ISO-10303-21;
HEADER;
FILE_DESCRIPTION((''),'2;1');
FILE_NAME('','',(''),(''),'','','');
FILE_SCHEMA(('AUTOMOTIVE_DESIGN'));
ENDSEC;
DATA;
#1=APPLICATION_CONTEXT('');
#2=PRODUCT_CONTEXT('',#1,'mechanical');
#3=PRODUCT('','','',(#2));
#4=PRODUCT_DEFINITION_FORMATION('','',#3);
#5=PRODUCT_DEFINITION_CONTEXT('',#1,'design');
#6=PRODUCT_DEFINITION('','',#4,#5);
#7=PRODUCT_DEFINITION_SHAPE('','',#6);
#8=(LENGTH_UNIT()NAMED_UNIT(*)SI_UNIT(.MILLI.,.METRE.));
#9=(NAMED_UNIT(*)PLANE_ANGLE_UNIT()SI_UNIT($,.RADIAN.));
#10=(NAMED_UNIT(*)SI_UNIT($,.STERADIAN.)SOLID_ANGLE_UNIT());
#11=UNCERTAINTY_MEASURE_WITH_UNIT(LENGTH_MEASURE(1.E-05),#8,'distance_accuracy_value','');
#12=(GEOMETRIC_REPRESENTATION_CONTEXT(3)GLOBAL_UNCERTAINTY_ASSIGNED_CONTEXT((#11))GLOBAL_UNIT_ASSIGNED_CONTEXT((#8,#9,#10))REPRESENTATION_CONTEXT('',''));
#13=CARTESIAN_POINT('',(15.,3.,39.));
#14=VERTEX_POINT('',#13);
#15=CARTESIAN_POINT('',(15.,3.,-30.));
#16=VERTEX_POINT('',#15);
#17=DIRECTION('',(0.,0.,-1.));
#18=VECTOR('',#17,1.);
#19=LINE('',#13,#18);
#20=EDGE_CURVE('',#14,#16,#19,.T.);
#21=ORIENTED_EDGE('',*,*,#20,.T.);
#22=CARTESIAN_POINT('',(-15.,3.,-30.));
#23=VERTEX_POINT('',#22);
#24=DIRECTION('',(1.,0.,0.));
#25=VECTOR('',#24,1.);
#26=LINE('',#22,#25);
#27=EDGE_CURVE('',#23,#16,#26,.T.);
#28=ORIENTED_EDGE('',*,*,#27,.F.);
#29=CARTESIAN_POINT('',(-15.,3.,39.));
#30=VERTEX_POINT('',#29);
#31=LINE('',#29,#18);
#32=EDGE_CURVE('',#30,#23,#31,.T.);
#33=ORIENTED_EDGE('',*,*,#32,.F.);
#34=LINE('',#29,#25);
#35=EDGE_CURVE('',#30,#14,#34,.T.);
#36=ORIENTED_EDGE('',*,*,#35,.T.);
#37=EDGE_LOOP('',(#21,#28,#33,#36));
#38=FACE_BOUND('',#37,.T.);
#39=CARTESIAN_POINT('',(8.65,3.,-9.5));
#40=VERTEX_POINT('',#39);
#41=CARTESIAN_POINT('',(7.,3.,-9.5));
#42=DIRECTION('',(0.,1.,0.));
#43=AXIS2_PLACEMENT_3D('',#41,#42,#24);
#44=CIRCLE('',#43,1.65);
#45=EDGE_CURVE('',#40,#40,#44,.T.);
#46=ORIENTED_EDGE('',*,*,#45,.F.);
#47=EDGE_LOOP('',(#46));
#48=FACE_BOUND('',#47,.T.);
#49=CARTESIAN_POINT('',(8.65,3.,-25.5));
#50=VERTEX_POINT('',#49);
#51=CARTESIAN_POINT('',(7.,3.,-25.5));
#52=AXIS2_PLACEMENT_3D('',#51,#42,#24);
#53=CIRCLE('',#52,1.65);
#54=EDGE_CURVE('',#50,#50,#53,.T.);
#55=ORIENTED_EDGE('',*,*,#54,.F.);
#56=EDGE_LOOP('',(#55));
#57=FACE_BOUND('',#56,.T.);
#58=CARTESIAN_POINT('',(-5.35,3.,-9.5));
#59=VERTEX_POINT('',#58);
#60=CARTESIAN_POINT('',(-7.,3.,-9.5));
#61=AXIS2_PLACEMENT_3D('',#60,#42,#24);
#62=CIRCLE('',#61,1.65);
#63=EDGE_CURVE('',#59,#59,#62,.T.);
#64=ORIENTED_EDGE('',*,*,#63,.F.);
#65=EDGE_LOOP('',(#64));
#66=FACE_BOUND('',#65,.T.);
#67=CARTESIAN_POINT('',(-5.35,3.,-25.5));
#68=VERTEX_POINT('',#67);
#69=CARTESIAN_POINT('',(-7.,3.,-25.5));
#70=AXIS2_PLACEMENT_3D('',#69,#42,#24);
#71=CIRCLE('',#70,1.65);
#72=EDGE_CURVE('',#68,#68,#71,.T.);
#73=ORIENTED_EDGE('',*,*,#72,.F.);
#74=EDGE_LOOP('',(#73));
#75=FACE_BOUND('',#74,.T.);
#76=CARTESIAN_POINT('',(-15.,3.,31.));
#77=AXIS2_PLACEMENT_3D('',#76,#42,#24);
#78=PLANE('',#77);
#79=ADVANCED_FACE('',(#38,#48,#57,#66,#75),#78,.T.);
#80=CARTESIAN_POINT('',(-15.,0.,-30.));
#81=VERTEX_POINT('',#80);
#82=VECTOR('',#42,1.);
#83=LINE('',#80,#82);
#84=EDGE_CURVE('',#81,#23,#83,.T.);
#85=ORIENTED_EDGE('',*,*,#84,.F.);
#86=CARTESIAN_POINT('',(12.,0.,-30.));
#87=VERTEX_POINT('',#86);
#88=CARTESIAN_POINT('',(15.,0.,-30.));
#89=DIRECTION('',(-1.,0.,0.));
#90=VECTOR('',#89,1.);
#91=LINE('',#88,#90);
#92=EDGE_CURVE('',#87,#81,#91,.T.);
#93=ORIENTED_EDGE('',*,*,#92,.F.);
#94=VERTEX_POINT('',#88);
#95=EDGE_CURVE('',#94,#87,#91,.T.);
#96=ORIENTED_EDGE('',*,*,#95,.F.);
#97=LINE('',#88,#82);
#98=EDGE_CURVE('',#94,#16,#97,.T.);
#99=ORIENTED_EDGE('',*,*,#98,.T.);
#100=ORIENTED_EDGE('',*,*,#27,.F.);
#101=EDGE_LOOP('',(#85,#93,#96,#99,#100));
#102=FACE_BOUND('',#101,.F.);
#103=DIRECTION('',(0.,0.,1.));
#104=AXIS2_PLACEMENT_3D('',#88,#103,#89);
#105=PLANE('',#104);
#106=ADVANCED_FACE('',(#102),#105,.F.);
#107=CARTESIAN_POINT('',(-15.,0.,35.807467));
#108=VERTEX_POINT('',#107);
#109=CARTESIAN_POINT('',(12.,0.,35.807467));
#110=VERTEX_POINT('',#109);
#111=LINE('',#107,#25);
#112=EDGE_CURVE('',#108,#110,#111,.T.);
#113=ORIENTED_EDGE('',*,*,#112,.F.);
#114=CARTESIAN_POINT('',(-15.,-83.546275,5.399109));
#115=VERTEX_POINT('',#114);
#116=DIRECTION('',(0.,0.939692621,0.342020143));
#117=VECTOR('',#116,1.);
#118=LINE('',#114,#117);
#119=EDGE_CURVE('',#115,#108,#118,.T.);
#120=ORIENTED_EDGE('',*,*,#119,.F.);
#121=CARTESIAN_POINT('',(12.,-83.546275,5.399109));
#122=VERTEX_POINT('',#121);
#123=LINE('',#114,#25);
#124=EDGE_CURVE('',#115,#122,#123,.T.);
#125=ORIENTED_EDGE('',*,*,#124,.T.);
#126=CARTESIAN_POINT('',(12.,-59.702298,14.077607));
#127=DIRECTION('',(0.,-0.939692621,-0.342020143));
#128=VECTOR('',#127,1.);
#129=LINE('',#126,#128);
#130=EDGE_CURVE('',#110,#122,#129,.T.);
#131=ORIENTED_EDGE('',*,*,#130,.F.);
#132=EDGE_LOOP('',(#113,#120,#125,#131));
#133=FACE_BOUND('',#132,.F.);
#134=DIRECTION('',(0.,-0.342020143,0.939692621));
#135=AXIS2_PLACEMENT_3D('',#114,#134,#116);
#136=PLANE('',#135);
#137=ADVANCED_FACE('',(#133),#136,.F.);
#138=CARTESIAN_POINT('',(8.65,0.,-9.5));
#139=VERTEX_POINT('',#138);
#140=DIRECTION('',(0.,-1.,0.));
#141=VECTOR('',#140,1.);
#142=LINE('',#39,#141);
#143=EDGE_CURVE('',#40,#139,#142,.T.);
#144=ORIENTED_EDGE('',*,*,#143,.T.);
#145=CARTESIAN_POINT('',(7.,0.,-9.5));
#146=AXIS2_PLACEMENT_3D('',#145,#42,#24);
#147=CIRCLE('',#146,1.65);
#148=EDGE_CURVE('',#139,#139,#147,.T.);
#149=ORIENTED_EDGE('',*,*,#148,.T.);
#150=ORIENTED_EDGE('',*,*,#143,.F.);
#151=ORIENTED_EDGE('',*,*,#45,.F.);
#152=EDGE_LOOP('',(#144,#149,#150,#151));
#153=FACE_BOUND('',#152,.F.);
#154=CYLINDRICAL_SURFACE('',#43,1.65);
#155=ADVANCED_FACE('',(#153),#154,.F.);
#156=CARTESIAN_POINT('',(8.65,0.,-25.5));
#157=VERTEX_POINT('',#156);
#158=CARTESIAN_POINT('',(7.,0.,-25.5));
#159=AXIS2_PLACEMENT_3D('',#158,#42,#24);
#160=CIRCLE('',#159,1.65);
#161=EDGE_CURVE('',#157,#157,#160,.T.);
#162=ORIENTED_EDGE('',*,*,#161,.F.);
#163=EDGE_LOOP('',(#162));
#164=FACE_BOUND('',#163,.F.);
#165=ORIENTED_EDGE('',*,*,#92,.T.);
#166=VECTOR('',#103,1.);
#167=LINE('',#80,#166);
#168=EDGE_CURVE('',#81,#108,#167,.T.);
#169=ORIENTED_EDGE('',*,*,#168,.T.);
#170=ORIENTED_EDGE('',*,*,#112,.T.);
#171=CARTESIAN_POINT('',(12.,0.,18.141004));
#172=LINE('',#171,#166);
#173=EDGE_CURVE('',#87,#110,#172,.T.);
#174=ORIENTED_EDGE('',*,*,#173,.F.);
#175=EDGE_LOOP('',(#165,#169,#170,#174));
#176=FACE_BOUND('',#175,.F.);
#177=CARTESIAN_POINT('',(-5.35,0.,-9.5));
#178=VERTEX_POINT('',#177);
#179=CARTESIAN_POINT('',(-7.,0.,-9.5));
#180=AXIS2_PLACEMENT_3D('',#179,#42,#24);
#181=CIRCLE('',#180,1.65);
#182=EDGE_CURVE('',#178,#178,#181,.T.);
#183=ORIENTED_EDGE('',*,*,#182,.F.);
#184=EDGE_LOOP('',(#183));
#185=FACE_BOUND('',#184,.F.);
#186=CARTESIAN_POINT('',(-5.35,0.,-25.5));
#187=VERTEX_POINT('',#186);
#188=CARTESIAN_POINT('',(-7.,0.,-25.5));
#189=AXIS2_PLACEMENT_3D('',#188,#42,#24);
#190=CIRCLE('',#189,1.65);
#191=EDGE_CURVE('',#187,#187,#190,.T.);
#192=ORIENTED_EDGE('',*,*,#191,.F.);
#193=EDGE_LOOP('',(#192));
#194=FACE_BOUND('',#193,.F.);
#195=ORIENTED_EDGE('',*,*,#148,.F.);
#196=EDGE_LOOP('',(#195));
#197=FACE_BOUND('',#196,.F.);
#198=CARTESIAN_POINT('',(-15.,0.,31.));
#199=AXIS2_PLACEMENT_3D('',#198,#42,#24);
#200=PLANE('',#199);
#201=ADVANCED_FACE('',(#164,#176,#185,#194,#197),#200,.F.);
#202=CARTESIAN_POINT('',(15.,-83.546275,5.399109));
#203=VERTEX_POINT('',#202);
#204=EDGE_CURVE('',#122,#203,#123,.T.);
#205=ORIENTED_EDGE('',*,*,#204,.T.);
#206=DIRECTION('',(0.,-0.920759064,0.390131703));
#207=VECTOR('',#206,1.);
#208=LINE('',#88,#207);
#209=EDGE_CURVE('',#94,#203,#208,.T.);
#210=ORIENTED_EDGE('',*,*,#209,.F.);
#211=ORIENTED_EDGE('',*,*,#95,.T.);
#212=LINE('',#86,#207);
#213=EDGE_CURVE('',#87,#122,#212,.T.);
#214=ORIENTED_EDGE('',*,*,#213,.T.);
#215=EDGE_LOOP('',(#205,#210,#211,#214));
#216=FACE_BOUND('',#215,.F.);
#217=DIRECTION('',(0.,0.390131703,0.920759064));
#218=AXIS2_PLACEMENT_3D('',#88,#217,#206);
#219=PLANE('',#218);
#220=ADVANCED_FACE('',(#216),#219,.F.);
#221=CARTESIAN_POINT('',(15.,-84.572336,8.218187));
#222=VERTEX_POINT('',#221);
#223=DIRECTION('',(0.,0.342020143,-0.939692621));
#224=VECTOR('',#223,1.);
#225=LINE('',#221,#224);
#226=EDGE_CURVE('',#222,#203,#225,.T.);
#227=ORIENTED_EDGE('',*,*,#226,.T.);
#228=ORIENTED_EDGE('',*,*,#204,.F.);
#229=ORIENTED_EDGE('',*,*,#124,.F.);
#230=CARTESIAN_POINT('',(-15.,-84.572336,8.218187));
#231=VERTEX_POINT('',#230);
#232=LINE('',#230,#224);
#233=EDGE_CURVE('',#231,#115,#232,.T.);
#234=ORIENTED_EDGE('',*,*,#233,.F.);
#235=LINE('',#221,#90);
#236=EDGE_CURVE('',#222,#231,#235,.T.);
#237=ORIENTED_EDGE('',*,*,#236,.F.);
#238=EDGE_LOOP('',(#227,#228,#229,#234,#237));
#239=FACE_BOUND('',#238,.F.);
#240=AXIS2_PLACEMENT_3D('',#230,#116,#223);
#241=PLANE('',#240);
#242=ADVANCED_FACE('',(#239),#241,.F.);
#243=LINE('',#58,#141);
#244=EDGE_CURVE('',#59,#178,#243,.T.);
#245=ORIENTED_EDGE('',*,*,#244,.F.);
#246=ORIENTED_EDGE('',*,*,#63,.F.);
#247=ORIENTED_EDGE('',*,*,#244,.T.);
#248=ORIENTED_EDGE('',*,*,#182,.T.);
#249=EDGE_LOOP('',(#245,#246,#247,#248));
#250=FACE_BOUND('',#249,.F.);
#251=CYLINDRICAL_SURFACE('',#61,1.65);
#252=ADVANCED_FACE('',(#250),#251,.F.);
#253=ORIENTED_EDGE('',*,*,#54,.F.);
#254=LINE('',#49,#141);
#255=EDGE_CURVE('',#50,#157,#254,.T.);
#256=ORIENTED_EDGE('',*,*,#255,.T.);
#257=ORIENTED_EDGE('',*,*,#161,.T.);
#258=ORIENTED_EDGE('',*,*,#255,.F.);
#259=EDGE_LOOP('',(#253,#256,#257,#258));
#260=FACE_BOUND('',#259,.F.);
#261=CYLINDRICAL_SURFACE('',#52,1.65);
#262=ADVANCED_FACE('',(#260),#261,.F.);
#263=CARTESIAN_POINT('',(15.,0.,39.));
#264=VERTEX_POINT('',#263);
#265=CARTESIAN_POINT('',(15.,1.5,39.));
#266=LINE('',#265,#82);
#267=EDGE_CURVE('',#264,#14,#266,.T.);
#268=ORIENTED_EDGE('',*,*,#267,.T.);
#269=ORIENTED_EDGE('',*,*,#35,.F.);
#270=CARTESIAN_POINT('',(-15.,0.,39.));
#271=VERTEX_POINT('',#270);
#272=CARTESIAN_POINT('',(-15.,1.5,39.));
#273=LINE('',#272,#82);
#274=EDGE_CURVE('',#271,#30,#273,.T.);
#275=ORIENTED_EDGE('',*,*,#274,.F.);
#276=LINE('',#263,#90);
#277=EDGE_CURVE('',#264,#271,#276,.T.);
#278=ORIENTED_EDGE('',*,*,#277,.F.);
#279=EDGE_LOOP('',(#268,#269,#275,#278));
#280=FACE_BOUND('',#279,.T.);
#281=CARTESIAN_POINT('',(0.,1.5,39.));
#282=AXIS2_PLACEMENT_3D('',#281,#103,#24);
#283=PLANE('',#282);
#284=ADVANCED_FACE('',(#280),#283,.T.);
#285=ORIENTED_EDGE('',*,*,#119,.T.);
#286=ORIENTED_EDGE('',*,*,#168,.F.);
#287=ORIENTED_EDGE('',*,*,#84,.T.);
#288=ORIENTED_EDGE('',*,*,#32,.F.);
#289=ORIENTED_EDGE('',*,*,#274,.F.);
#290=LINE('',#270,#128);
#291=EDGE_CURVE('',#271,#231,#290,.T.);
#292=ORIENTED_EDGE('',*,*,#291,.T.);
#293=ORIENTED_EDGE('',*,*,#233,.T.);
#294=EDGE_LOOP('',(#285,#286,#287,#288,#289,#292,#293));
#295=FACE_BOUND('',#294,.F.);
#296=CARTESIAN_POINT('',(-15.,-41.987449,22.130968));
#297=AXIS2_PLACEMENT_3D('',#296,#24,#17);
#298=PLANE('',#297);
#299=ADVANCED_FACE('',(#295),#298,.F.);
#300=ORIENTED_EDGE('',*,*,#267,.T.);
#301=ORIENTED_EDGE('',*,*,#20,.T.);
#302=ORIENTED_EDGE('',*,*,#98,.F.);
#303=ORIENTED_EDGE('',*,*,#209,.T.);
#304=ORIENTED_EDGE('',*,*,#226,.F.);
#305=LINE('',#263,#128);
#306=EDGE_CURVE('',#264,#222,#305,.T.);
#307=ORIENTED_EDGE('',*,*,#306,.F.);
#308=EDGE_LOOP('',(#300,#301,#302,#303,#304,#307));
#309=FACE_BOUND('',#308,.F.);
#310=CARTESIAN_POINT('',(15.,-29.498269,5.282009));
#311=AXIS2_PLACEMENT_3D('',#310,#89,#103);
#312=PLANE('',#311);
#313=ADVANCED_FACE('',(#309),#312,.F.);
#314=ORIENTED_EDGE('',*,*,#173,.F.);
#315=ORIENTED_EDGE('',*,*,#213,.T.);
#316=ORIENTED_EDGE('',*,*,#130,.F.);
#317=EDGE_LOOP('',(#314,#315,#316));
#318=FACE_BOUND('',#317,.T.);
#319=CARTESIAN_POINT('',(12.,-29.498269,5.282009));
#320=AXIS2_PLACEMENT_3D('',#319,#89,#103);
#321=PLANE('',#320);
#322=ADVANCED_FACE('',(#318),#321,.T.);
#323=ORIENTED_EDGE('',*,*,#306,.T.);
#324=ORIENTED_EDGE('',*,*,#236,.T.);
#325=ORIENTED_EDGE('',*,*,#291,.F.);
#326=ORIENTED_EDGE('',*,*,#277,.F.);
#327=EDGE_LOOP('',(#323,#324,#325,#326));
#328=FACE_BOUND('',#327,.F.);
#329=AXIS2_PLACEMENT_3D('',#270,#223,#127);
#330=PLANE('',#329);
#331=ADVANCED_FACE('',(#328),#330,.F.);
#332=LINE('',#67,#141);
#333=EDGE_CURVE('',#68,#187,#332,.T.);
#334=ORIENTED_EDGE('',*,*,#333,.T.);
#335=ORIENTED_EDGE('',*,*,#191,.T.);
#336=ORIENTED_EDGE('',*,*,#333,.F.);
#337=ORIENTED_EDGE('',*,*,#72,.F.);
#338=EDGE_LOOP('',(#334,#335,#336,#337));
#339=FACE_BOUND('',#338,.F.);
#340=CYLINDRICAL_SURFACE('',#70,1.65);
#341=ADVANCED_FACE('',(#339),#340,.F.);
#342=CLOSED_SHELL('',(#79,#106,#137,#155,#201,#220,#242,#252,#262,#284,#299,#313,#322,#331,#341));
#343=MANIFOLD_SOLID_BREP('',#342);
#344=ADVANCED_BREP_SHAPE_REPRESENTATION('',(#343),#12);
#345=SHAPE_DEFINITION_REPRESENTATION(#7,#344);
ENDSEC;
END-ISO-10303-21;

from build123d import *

# Parameters (mm, degrees)
BOSS_EXTRUDE1_DEPTH = 3
SKETCH2_R           = 1.65
CUT_EXTRUDE1_DEPTH  = 4
SKETCH3_W           = 30
SKETCH3_H           = 3
BOSS_EXTRUDE2_DEPTH = 8
BOSS_EXTRUDE3_DEPTH = 30
BOSS_EXTRUDE4_DEPTH = 3


with BuildPart() as part:
    # Sketch1 → Boss-Extrude1 (new body)
    with BuildSketch(Plane(origin=(0, 0, 0), x_dir=(1, 0, 0), z_dir=(0, 1, 0))):
        Polygon((15, -28), (15, 30), (-15, 30), (-15, -28), (-15, -31), (15, -31), align=None)
    extrude(amount=BOSS_EXTRUDE1_DEPTH)

    # Sketch2 → Cut-Extrude1 (cut)
    with BuildSketch(Plane(origin=(0, 3, 0), x_dir=(1, 0, 0), z_dir=(0, 1, 0))):
        with Locations((-7, 25.5)):
            Circle(SKETCH2_R)
        with Locations((7, 25.5)):
            Circle(SKETCH2_R)
        with Locations((-7, 9.5)):
            Circle(SKETCH2_R)
        with Locations((7, 9.5)):
            Circle(SKETCH2_R)
    extrude(amount=-CUT_EXTRUDE1_DEPTH, mode=Mode.SUBTRACT)

    # Sketch3 → Boss-Extrude2 (add)
    with BuildSketch(Plane.XY.offset(31)):
        with Locations((0, 1.5)):
            Rectangle(SKETCH3_W, SKETCH3_H)
    extrude(amount=BOSS_EXTRUDE2_DEPTH)

    # Sketch5 → Boss-Extrude3 (add)
    with BuildSketch(Plane.ZY.offset(15)):
        Polygon((39, 0), (8.218187101, -84.572335871), (5.399109238, -83.546275441), (35.807466683, 0), align=None)
    extrude(amount=-BOSS_EXTRUDE3_DEPTH)

    # Sketch6 → Boss-Extrude4 (add)
    with BuildSketch(Plane(origin=(15, 0, 0), x_dir=(0, 0, -1), z_dir=(1, 0, 0))):
        Polygon((30, 0), (-5.399109238, -83.546275441), (-8.218187101, -84.572335871), (-39, 0), (-39, 3), (30, 3), align=None)
    extrude(amount=-BOSS_EXTRUDE4_DEPTH)


solid = part.part
